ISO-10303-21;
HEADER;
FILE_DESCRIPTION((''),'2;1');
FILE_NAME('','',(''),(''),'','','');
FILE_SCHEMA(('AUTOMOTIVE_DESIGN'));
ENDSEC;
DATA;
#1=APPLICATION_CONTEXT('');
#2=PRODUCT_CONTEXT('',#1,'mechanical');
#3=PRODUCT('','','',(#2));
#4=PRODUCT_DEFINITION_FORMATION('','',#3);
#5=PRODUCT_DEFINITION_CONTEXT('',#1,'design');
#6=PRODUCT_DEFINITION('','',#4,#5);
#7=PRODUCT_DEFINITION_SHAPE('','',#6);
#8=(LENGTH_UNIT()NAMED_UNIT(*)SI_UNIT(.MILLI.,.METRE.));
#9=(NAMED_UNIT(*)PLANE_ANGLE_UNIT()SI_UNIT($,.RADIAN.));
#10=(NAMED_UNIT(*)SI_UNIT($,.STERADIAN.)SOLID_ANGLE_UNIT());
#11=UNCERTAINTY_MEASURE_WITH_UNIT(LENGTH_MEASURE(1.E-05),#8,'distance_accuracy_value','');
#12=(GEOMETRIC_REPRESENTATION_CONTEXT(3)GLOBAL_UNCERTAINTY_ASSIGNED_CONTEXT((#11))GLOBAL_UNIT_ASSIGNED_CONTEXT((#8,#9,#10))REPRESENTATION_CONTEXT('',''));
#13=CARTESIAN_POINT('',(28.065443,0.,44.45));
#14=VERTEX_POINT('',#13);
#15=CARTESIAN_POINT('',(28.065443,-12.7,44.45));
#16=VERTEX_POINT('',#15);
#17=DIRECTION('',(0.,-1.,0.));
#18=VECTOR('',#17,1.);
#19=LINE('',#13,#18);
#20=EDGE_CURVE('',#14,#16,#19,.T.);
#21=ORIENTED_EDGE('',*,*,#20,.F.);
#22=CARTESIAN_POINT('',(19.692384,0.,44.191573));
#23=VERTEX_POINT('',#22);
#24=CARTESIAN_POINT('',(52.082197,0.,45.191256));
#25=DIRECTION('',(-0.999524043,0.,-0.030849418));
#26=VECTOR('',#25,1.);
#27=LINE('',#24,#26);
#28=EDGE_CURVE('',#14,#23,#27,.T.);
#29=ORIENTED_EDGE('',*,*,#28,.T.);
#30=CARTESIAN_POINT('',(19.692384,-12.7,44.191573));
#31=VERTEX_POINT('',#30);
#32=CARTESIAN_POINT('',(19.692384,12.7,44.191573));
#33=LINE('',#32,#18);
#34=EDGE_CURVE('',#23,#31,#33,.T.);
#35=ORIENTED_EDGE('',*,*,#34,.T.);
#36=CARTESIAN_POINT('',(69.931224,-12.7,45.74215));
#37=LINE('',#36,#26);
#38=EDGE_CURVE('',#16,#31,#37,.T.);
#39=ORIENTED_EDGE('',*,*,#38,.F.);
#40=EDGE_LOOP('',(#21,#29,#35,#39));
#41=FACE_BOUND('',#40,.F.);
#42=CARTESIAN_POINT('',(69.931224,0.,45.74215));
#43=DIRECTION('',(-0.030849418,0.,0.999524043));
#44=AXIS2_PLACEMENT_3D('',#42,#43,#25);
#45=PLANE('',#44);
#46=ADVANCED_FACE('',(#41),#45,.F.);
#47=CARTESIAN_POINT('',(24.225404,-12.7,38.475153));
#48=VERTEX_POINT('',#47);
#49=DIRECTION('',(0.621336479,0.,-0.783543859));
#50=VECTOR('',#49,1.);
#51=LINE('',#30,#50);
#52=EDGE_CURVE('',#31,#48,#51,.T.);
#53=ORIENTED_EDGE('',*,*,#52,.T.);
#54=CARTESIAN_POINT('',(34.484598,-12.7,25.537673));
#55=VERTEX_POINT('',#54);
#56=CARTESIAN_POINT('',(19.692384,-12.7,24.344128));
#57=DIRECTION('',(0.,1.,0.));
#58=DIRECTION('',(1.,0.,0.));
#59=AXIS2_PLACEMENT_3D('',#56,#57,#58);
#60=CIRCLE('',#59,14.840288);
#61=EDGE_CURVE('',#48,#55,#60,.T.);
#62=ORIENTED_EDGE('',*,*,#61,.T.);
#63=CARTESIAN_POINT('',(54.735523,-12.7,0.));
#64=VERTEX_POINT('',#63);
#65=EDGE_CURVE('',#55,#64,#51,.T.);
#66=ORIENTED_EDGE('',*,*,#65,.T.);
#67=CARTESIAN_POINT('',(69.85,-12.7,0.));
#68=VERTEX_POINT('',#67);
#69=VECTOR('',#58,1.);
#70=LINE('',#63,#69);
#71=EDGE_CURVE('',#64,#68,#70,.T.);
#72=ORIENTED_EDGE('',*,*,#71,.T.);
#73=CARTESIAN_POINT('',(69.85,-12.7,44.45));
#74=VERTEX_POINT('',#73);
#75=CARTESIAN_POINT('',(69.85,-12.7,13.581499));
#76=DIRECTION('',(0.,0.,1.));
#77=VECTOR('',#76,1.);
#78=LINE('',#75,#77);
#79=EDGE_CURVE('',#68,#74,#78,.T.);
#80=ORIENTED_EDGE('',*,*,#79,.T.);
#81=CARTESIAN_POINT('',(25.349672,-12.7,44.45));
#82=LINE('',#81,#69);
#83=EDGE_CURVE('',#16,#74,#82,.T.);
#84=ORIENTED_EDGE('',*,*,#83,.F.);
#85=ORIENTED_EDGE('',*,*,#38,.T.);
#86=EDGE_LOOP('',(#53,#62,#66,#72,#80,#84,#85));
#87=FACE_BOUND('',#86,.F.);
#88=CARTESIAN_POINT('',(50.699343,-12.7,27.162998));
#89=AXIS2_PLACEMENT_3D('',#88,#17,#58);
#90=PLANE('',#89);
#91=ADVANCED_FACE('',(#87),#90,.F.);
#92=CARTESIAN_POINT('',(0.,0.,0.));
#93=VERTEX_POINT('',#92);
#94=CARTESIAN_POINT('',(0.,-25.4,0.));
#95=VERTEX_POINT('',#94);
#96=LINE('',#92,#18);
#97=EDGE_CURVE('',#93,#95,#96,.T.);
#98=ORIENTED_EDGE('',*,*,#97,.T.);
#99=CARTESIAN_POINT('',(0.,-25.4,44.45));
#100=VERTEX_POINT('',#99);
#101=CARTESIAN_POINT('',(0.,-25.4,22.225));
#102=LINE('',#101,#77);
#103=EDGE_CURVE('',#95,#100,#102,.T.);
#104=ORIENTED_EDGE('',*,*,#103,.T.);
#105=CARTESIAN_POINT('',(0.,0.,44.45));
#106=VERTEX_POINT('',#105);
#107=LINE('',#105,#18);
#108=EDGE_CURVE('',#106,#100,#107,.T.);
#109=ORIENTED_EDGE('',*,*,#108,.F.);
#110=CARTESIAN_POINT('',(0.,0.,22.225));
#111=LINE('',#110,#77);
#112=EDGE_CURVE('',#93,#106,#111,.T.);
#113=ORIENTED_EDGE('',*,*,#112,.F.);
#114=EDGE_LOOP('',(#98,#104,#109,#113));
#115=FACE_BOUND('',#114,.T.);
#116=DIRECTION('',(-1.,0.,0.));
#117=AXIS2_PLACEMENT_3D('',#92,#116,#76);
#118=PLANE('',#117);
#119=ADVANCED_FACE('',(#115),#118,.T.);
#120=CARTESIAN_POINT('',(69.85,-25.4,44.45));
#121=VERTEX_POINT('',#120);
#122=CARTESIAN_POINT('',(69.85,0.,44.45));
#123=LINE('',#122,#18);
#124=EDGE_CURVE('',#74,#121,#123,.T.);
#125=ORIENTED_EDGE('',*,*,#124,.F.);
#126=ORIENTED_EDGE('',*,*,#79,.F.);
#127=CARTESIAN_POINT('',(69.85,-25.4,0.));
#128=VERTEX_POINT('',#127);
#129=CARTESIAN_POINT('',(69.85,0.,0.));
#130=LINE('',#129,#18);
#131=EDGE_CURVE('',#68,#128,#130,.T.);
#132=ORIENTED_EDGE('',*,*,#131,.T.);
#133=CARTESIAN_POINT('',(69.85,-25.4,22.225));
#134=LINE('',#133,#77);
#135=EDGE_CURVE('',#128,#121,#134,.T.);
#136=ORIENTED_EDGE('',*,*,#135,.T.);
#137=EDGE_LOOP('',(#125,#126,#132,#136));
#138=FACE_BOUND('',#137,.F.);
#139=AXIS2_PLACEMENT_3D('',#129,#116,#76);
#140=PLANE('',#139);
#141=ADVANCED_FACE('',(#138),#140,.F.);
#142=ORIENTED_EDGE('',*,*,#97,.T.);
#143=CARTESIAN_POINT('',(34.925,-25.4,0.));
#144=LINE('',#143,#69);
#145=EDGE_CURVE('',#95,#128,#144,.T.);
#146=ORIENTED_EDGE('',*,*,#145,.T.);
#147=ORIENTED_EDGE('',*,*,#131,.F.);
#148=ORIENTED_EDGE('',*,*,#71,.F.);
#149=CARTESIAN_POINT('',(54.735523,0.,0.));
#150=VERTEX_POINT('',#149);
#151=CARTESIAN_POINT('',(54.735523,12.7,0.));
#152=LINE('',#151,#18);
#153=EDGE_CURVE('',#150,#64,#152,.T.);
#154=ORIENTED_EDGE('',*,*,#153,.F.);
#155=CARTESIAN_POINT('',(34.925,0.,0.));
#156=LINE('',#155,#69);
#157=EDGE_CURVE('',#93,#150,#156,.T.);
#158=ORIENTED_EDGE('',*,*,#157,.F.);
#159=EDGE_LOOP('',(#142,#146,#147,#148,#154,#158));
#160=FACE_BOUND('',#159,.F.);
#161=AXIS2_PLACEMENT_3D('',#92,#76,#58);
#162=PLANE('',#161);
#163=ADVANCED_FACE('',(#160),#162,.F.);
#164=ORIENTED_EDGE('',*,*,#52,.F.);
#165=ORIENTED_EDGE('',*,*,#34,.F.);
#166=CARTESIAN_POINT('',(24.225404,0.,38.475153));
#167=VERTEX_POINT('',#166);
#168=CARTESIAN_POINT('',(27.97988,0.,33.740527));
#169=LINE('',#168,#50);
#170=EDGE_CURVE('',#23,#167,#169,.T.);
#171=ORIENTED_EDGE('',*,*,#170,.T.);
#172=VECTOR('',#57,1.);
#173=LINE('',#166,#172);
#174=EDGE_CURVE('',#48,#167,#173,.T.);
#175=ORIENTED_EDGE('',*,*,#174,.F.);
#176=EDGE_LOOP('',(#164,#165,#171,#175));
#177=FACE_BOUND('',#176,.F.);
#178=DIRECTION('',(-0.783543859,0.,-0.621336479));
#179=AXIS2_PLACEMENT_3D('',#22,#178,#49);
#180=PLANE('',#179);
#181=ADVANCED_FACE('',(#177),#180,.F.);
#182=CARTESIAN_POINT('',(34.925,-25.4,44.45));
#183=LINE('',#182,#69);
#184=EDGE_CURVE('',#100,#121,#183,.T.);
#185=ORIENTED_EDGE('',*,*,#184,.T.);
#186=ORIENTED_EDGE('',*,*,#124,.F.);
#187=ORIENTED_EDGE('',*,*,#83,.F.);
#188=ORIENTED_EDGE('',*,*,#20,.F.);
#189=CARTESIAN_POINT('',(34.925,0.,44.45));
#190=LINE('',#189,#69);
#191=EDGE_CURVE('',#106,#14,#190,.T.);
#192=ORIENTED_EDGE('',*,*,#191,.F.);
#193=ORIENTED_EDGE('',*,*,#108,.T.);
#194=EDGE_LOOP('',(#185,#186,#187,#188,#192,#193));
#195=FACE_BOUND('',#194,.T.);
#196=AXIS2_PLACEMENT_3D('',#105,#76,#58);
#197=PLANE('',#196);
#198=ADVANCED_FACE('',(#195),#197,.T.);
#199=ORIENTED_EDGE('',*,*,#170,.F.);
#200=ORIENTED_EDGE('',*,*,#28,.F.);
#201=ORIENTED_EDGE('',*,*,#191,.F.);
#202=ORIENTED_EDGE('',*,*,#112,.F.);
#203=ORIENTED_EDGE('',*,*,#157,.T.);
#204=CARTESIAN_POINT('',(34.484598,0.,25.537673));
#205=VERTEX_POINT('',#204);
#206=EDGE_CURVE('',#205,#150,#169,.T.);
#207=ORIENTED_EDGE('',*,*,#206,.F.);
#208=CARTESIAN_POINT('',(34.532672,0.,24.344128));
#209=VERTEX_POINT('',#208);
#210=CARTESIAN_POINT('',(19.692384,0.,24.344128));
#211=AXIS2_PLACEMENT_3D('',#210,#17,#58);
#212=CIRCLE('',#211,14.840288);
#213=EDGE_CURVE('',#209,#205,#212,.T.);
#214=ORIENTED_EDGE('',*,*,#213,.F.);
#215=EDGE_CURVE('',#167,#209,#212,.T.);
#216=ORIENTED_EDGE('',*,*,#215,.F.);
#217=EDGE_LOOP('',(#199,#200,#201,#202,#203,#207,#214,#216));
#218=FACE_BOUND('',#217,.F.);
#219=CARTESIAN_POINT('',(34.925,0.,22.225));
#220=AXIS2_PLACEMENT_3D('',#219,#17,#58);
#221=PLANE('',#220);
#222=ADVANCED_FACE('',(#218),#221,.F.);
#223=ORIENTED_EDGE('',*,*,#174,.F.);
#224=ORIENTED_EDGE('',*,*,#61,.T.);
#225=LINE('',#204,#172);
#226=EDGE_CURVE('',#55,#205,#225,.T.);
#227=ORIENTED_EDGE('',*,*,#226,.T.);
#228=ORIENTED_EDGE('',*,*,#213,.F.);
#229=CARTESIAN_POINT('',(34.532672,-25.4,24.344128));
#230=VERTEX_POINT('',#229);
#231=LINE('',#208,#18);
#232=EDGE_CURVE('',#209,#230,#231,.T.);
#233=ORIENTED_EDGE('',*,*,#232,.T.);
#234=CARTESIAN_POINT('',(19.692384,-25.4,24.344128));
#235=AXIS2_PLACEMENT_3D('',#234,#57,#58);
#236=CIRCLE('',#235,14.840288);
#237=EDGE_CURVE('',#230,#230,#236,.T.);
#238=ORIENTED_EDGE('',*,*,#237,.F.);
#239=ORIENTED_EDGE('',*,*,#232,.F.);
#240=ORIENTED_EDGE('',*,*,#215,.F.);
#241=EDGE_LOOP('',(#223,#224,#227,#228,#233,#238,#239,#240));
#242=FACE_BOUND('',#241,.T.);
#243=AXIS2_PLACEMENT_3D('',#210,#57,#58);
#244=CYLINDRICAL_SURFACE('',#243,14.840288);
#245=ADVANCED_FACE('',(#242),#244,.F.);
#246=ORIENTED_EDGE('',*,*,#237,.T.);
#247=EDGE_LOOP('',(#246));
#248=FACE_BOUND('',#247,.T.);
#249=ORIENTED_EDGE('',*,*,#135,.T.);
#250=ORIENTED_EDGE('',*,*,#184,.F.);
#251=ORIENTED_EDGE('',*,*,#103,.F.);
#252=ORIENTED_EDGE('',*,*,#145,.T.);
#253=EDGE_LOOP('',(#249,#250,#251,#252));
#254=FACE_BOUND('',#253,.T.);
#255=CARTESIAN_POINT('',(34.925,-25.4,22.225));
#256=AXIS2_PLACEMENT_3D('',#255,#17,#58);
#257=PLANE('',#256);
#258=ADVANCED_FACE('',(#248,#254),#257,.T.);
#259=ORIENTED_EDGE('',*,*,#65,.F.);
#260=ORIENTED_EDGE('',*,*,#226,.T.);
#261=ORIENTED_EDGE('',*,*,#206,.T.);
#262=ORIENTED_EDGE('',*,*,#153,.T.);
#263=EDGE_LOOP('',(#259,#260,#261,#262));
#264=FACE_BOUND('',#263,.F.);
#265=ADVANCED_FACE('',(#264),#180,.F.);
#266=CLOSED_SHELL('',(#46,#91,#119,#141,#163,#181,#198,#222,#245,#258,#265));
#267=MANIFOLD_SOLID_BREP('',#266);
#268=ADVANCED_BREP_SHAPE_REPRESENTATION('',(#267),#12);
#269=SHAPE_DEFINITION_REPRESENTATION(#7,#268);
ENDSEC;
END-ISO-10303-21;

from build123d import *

# Parameters (mm, degrees)
F0_W     = 69.85
F0_H     = 44.45
F1_DEPTH = 25.4
F3_DEPTH = 12.7
F4_R     = 14.840288
F5_DEPTH = 25.401


with BuildPart() as f1:
    # F0 (on Front) → F1 (new body)
    with BuildSketch(Plane.XZ):
        with Locations((34.925, 22.225)):
            Rectangle(F0_W, F0_H)
    extrude(amount=F1_DEPTH)

    # F2 (on Front) → F3 (cut, symmetric)
    with BuildSketch(Plane.XZ):
        Polygon((69.931224, 45.74215), (19.692384, 44.191573), (54.735523, 0), (69.931224, 0), align=None)
    extrude(amount=F3_DEPTH, both=True, mode=Mode.SUBTRACT)

    # F4 (on Front) → F5 (cut, through all)
    with BuildSketch(Plane.XZ):
        with Locations((19.692384, 24.344128)):
            Circle(F4_R)
    extrude(amount=F5_DEPTH, mode=Mode.SUBTRACT)


solid = f1.part
